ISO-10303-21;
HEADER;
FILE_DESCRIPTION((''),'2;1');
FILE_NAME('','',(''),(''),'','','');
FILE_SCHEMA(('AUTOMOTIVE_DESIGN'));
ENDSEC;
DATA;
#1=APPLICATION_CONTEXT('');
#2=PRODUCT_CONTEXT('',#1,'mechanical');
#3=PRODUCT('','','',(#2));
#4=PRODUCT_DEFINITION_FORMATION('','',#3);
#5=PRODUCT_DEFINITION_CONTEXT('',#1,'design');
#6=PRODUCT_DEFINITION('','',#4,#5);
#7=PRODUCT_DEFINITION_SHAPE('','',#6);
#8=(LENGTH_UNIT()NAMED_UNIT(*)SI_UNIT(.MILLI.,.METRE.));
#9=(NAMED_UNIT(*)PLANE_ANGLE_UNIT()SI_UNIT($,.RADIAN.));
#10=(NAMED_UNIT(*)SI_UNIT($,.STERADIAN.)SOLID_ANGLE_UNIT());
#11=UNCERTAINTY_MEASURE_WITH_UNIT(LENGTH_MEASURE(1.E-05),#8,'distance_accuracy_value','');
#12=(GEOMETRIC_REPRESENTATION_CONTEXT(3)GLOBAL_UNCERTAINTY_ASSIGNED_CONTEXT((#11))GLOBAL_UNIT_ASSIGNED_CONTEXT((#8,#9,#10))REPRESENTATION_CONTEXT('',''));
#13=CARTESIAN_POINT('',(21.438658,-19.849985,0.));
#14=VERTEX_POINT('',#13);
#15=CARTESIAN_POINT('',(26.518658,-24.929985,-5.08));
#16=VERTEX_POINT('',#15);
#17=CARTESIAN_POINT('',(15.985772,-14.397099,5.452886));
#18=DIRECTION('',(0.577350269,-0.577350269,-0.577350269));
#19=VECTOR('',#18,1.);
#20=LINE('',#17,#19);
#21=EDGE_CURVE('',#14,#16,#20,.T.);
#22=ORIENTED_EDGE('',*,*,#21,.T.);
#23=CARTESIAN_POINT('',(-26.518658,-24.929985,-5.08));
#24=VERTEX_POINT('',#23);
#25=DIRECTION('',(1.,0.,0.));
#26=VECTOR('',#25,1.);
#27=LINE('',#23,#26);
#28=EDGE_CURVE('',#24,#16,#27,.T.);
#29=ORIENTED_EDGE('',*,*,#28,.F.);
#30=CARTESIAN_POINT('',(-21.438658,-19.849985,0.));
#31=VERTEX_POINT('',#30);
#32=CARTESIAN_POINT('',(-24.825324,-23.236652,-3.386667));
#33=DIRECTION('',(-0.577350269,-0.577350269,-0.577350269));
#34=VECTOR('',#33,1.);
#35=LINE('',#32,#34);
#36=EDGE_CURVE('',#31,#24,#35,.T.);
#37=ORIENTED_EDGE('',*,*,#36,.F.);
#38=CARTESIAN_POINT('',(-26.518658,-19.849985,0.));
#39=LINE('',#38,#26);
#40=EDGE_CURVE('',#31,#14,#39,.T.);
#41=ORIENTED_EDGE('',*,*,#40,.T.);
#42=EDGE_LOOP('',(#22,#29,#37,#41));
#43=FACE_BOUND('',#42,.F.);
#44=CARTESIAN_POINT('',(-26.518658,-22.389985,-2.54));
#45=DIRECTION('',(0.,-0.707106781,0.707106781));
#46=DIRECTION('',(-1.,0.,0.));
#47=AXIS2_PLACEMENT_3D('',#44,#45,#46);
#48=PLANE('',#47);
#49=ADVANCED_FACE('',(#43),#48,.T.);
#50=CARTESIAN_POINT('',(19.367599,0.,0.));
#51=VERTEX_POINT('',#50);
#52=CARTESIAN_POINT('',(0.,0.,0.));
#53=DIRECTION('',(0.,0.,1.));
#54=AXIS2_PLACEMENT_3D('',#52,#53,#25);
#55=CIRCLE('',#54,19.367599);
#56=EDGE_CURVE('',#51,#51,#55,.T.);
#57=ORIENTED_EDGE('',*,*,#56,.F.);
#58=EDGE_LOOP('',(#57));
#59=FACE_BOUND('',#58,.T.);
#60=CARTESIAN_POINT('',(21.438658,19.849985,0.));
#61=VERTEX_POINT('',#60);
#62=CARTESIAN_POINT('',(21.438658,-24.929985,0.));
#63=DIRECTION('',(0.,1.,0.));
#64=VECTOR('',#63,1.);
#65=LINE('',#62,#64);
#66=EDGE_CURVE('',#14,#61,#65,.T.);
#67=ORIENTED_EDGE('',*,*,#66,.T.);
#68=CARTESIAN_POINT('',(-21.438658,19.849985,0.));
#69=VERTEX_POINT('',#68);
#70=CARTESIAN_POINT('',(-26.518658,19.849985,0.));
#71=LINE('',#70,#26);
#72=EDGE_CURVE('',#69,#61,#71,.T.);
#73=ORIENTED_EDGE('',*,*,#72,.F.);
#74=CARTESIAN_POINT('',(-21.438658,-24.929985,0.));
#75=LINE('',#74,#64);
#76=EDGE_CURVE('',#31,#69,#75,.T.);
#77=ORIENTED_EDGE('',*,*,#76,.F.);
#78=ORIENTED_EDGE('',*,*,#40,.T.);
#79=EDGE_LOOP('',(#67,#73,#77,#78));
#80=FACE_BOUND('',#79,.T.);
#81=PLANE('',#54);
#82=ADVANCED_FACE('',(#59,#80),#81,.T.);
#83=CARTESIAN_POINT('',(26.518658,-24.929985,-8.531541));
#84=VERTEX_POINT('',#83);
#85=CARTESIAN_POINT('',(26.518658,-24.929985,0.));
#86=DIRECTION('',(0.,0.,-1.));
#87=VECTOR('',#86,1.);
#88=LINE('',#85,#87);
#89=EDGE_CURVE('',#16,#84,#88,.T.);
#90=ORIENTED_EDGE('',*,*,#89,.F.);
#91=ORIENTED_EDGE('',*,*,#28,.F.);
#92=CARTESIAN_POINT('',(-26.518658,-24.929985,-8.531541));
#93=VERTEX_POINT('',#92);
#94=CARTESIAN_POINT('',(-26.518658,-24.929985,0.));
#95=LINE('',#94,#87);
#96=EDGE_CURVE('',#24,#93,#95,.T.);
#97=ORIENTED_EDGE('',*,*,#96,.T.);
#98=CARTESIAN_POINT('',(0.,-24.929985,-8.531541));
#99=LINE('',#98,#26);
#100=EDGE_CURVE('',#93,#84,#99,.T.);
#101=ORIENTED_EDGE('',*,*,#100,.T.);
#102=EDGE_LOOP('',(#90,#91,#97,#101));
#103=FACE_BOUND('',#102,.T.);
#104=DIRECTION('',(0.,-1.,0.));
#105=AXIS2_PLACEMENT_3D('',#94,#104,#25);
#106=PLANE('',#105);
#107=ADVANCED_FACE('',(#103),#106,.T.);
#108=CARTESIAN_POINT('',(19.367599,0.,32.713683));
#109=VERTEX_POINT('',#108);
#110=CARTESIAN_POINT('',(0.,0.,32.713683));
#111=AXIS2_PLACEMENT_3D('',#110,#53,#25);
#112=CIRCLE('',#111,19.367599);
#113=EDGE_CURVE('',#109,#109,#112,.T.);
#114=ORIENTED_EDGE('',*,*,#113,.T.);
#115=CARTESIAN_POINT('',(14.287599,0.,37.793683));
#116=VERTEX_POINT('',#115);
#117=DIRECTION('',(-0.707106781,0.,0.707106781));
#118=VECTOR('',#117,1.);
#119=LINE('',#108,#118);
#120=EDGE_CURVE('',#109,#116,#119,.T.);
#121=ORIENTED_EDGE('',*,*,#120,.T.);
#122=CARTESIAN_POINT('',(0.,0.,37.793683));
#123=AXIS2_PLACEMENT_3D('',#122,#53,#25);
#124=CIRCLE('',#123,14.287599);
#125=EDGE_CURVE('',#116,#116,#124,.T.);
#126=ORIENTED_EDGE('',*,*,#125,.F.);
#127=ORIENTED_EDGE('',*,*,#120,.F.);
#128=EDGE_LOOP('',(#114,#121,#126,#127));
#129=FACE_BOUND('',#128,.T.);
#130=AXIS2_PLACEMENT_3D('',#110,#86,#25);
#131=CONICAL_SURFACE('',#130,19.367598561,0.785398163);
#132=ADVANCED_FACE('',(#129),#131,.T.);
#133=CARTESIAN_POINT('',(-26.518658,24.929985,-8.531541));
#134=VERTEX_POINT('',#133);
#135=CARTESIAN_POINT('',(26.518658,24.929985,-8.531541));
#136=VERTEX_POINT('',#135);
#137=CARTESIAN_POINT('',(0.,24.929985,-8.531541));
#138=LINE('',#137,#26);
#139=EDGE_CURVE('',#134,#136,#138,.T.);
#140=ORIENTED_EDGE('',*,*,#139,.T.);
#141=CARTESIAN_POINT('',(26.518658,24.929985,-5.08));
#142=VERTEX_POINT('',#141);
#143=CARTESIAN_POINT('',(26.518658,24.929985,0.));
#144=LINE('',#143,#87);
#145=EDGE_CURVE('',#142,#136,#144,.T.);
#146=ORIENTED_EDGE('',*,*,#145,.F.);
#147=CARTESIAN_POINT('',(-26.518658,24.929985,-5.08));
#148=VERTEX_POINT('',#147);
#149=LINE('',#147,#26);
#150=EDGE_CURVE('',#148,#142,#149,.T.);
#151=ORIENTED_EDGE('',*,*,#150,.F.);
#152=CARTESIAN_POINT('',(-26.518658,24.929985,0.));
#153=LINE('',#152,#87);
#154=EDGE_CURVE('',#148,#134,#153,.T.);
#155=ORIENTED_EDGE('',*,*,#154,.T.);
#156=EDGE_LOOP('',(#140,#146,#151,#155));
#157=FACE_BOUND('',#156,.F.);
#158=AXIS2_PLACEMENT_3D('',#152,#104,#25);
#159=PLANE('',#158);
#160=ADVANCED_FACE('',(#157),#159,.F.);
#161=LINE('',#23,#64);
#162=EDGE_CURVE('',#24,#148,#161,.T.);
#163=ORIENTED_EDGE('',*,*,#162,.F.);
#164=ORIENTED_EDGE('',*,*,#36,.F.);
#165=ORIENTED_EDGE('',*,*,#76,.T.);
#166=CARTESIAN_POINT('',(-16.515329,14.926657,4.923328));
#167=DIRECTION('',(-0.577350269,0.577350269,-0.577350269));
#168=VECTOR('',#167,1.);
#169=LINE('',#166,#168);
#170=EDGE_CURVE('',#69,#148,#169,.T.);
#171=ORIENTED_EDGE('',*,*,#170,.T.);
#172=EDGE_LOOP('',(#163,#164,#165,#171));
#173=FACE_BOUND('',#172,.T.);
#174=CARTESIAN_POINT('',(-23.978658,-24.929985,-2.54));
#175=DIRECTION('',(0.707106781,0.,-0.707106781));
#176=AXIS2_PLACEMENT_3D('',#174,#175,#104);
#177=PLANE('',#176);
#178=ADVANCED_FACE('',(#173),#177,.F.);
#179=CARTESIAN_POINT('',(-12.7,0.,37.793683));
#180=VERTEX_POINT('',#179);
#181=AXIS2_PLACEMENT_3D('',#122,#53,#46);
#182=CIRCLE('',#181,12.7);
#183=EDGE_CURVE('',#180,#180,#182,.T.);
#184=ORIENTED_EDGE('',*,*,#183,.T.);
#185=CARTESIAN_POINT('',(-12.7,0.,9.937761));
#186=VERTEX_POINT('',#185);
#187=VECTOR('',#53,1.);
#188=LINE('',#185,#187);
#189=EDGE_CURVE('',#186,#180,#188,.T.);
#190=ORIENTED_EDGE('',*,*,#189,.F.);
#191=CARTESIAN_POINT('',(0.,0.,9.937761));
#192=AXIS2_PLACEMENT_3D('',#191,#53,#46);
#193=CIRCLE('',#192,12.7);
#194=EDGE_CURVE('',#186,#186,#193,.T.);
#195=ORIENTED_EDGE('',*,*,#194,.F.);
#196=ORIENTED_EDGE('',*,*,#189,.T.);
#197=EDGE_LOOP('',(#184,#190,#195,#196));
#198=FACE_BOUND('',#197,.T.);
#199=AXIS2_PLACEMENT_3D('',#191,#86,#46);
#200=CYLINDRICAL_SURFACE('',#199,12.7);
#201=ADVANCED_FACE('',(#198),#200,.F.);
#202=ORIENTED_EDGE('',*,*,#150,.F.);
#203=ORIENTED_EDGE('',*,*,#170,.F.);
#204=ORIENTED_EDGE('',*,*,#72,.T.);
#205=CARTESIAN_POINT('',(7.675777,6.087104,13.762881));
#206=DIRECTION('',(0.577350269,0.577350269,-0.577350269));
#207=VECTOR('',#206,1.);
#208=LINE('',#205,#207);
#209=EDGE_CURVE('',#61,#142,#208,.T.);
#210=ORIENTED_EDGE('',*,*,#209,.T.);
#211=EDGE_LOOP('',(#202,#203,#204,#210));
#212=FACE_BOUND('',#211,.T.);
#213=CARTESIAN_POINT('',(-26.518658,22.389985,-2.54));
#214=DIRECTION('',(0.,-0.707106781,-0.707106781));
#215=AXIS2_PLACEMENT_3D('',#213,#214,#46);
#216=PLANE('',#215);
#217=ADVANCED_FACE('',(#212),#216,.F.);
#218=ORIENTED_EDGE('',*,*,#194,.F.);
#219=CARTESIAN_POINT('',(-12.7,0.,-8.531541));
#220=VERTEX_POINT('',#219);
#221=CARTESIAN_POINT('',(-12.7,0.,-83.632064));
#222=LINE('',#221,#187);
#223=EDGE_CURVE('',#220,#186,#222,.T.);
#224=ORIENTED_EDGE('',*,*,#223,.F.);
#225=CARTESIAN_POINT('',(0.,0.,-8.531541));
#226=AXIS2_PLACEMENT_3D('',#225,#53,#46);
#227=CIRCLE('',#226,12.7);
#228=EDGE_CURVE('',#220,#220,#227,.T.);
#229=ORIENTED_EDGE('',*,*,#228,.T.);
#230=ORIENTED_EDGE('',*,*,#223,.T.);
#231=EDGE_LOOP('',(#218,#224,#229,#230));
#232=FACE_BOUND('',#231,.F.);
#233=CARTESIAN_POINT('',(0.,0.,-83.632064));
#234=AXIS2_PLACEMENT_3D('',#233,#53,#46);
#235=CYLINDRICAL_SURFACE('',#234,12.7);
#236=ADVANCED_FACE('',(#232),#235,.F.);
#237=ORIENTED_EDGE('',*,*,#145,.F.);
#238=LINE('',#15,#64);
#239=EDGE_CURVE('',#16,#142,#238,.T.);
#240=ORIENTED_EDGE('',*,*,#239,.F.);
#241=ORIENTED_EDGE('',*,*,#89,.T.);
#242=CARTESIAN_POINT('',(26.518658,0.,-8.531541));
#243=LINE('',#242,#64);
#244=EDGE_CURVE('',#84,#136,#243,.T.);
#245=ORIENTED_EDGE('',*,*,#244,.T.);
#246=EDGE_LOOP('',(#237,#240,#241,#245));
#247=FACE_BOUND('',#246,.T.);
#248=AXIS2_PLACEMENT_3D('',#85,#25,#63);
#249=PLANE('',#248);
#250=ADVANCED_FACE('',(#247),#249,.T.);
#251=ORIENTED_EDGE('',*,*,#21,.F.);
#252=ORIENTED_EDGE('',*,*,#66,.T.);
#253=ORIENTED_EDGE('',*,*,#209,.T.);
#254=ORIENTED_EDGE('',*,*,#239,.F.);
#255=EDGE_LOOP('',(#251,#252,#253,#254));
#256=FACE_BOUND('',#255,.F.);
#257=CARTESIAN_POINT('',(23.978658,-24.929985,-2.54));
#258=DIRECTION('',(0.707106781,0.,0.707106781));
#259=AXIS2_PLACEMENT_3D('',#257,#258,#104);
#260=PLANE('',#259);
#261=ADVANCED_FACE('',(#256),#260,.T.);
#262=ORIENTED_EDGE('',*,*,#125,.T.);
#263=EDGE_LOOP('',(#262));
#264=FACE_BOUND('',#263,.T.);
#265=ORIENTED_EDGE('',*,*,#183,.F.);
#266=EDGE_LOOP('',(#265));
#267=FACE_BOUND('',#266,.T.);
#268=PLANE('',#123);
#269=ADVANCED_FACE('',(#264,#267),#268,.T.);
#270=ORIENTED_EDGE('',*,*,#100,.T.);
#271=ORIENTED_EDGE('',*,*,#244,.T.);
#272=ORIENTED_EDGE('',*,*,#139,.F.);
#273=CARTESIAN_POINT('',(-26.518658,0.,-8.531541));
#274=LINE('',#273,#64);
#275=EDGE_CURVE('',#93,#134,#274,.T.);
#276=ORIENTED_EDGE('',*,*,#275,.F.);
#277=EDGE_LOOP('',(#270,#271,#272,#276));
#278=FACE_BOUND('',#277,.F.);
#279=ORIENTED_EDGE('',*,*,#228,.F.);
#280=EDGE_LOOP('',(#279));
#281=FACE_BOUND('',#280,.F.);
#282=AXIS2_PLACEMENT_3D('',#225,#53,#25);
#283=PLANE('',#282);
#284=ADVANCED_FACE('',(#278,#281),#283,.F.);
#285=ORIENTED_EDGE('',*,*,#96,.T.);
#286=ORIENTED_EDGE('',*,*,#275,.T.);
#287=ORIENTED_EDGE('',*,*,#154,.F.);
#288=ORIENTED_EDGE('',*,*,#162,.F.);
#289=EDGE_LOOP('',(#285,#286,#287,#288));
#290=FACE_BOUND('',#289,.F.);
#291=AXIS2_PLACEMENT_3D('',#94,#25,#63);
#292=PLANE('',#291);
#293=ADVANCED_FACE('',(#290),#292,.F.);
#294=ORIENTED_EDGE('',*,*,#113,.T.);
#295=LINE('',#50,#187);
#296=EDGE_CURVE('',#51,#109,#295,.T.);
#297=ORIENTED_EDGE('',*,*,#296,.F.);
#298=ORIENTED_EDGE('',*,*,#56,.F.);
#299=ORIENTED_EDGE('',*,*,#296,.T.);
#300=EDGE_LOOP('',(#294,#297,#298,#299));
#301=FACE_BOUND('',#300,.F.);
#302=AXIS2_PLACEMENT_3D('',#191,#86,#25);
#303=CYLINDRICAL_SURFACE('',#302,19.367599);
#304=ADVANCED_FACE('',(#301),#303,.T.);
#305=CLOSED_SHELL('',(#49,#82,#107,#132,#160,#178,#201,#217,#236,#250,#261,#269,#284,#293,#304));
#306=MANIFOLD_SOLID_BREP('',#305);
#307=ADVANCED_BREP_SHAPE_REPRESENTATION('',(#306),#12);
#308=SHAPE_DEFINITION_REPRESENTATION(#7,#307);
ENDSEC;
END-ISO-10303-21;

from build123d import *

# Parameters (mm, degrees)
F0_R     = 19.3675985609
F1_DEPTH = 9.9377613515
F2_W     = 53.0373156071
F2_H     = 49.859970808
F3_DEPTH = 8.5315406322
F5_D     = 25.4
F6_DEPTH = 27.8559215367
F7_SIZE  = 5.08
F8_SIZE  = 5.08


with BuildPart() as f1:
    # F0 (on Top) → F1 (new body)
    with BuildSketch(Plane.XY):
        Circle(F0_R)
    extrude(amount=F1_DEPTH)

    # F2 (on Top) → F3 (join)
    with BuildSketch(Plane.XY):
        Rectangle(F2_W, F2_H)
    extrude(amount=-F3_DEPTH)

    # F5 (through all)
    with Locations(Plane(origin=(0, 0, -8.5315406322), x_dir=(1, 0, 0), z_dir=(0, 0, -1))):
        with Locations((0, 0)):
            Hole(F5_D / 2)

    # F6 (add): a face of the model
    f6_faces = [f1.faces().sort_by_distance(p)[0] for p in [
        (-18.8198001498, 0, 9.9377613515),
    ]]
    extrude(f6_faces, amount=F6_DEPTH)

    # F7
    f7_edges = [f1.edges().sort_by_distance(p)[0] for p in [
        (-19.367599, 0, 37.793683),
    ]]
    chamfer(f7_edges, length=F7_SIZE)

    # F8
    f8_edges = [f1.edges().sort_by_distance(p)[0] for p in [
        (26.518658, 0, 0),
        (0, -24.929985, 0),
        (-26.518658, 0, 0),
        (0, 24.929985, 0),
    ]]
    chamfer(f8_edges, length=F8_SIZE)


solid = f1.part
